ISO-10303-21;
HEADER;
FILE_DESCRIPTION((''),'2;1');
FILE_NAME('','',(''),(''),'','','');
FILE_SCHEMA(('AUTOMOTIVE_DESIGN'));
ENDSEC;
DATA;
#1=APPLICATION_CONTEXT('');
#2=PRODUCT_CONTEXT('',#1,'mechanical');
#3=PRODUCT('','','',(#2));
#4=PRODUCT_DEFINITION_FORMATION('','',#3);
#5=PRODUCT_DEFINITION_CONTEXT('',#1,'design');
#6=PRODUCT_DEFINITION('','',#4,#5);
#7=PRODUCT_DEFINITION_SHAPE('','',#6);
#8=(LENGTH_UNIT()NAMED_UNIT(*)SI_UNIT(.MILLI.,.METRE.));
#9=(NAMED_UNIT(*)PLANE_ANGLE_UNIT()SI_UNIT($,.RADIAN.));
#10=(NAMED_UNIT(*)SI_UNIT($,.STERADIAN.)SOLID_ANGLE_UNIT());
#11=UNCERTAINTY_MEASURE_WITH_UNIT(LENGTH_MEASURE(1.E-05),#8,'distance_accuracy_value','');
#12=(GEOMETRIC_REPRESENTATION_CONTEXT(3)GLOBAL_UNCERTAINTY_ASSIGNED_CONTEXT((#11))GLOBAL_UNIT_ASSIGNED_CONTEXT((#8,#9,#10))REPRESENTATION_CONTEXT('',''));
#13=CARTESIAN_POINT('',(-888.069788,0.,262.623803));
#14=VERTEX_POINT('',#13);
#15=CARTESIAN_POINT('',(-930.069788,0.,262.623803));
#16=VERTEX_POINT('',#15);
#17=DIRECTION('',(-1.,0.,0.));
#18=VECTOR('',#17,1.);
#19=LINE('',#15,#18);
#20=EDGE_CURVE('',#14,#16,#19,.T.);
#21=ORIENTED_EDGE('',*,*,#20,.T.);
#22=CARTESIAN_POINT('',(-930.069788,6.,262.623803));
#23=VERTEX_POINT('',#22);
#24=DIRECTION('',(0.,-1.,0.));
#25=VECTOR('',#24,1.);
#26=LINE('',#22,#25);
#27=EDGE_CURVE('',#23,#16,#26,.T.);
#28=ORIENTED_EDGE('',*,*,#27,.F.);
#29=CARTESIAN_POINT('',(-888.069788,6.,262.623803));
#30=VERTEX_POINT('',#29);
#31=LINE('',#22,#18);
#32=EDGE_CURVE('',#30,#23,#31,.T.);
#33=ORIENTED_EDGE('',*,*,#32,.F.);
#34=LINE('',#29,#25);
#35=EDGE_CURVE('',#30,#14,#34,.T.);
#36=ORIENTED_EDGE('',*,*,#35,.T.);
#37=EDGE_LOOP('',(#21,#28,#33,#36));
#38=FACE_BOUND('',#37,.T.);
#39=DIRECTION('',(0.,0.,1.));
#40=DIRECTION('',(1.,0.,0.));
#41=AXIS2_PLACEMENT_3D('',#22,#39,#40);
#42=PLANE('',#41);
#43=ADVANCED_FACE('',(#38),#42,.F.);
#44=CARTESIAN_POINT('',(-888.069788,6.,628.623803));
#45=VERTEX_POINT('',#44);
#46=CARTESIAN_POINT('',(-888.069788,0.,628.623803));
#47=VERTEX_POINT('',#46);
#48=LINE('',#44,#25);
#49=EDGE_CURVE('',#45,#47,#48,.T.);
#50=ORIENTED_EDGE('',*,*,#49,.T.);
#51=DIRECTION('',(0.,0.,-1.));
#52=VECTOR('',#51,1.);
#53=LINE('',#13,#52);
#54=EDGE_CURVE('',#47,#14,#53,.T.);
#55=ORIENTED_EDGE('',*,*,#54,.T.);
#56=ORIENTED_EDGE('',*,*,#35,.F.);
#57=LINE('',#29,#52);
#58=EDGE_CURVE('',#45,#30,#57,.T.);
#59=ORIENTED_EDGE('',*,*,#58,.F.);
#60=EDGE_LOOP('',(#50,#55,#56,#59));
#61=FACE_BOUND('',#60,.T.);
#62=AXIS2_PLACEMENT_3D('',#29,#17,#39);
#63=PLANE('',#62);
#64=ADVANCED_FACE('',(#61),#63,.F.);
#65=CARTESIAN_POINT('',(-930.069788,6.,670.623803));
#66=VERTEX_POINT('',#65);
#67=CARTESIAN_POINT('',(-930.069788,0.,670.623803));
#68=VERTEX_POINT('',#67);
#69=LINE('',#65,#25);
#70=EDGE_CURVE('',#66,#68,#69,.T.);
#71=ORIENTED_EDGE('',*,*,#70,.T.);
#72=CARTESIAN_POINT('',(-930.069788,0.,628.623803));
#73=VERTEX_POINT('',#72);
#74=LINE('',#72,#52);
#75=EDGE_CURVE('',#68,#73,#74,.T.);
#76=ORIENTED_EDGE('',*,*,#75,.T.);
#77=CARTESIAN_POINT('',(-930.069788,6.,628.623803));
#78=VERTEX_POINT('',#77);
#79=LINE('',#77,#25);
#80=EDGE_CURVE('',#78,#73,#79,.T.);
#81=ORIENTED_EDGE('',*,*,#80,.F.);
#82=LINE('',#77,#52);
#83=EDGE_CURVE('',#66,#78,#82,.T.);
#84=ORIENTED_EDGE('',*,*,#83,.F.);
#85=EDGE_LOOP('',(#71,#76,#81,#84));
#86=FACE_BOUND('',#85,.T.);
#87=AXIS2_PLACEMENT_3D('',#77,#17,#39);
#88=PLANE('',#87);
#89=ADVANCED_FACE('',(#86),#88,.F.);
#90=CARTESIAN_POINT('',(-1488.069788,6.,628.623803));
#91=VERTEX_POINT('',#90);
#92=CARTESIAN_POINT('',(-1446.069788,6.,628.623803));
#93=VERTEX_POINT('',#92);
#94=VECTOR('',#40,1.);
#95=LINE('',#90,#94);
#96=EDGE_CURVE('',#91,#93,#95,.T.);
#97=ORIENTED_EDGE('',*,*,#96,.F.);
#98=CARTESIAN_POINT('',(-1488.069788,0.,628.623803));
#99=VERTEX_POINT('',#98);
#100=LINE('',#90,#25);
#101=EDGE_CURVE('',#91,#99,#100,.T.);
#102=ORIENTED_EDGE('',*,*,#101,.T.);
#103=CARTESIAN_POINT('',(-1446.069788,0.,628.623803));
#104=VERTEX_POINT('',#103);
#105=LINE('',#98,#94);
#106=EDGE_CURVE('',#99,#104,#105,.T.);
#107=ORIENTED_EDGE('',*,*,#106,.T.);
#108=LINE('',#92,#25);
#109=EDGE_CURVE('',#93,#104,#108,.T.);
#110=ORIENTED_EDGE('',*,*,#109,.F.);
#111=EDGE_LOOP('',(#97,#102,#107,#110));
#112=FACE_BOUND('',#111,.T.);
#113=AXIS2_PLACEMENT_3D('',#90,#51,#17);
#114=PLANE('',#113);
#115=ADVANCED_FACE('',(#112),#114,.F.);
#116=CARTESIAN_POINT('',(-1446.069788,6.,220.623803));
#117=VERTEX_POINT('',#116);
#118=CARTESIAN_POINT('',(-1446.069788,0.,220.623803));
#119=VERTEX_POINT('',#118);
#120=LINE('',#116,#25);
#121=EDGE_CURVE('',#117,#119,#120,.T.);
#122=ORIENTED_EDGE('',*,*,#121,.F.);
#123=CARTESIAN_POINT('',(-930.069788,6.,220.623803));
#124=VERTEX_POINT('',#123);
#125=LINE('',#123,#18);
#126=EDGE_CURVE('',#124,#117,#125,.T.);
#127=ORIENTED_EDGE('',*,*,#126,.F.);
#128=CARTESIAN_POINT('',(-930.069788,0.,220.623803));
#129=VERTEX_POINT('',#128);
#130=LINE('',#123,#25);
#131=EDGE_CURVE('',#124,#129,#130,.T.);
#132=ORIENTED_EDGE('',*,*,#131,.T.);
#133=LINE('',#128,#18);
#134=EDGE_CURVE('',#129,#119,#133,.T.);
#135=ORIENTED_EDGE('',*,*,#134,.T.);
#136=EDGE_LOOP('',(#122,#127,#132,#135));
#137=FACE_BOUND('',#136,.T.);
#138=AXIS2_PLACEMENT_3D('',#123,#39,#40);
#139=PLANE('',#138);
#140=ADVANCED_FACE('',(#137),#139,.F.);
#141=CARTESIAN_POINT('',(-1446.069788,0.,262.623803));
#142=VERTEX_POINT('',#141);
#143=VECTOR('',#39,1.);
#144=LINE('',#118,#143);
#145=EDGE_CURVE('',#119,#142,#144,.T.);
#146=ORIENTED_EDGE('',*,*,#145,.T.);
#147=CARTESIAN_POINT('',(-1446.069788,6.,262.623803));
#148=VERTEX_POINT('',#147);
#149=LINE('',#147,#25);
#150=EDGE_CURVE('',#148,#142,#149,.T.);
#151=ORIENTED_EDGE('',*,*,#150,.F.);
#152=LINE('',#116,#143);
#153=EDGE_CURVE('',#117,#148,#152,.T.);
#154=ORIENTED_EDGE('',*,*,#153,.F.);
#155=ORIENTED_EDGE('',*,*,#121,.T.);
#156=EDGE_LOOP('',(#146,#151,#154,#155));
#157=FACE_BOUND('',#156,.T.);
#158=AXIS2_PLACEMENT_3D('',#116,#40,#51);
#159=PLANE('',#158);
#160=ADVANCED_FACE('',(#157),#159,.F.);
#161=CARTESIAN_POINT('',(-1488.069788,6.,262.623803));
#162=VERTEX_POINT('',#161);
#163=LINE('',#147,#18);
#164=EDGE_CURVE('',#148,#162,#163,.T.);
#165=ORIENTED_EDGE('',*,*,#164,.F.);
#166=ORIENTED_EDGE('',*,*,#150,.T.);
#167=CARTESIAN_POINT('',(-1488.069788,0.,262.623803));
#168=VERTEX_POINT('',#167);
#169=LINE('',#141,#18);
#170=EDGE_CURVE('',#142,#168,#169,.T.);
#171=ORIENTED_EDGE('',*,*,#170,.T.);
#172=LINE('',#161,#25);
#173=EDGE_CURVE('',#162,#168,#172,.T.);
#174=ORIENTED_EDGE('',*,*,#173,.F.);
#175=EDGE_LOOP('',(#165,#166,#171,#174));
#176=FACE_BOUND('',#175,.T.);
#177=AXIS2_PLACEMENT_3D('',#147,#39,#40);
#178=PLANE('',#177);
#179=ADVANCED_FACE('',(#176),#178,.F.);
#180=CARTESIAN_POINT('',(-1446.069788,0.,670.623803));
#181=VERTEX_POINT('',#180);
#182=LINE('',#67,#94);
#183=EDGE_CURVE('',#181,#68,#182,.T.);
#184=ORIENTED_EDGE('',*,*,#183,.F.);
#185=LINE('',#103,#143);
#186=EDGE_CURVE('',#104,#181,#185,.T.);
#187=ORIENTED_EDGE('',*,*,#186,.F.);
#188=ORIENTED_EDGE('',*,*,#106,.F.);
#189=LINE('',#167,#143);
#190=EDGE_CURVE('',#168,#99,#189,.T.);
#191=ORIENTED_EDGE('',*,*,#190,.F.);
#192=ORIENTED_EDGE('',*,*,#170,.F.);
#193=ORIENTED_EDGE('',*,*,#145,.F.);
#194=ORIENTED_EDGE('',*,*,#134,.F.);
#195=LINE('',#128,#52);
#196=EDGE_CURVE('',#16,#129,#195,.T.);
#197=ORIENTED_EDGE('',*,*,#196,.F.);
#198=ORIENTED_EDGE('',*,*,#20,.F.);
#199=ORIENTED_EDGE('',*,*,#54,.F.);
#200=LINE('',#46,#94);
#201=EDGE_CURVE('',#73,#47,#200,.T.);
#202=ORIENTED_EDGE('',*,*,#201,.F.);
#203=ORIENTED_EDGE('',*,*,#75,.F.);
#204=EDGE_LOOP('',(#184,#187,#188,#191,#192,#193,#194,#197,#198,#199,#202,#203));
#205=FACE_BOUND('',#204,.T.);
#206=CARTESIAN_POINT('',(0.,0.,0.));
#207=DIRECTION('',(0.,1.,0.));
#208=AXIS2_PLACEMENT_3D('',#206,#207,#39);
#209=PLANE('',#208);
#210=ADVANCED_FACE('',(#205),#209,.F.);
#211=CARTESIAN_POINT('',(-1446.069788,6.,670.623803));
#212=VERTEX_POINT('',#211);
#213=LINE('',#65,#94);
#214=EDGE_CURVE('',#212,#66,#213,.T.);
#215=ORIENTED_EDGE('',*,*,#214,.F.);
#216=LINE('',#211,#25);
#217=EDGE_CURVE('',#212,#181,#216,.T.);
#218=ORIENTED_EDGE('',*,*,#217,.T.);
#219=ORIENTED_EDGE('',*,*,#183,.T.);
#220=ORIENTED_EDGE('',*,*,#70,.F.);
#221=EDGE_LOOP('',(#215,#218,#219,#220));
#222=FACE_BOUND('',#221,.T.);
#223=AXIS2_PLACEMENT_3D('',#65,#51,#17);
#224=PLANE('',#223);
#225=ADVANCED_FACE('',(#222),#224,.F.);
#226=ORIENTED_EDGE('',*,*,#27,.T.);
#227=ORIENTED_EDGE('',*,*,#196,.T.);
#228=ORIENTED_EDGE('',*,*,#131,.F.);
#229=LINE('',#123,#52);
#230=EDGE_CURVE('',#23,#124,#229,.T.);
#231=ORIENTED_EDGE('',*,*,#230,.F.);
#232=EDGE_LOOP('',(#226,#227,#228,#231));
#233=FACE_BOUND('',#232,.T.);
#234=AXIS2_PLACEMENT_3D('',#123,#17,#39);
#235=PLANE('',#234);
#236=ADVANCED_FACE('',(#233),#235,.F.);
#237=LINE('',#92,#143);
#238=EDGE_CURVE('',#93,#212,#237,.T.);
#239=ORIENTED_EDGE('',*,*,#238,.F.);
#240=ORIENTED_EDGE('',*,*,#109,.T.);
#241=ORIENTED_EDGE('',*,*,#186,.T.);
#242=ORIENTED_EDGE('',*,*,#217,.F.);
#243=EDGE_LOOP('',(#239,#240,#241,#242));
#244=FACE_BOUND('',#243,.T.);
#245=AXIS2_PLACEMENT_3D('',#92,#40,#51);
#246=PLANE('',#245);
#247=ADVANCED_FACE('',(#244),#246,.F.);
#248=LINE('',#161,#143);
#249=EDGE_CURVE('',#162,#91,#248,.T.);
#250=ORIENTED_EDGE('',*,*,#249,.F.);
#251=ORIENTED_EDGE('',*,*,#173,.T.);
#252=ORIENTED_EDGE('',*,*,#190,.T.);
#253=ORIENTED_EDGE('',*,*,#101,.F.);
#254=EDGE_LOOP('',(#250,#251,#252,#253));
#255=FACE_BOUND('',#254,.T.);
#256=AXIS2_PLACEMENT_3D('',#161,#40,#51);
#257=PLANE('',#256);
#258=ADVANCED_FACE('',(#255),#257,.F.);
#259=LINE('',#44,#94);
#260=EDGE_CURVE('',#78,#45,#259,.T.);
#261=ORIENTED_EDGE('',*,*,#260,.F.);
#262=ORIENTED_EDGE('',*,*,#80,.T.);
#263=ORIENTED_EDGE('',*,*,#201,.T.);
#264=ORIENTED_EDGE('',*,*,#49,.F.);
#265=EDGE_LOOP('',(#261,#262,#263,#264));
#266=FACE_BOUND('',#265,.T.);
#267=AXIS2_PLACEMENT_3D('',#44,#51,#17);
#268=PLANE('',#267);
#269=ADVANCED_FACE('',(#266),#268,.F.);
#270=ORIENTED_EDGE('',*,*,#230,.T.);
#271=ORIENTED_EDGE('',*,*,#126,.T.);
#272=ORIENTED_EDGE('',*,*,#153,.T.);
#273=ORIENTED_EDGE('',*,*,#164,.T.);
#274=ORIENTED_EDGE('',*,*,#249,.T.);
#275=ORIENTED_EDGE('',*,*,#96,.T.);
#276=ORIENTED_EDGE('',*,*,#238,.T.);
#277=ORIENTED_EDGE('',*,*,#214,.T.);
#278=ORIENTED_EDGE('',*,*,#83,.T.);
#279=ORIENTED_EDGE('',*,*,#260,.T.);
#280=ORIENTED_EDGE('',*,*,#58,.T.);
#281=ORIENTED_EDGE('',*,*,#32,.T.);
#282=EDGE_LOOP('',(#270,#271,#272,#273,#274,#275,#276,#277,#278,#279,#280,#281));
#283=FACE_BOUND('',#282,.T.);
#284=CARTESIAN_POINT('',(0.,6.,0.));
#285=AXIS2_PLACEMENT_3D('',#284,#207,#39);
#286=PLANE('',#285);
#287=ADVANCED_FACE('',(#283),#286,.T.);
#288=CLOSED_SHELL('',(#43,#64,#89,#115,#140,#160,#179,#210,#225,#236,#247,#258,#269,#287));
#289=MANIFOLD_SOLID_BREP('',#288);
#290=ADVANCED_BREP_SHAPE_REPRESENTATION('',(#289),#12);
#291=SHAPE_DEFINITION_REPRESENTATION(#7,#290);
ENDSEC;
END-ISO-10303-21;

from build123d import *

# Parameters (mm, degrees)
EXTRUDE_1_DEPTH = 6


with BuildPart() as part:
    # Эскиз1 → Бобышка-Вытянуть1 (new body)
    with BuildSketch(Plane(origin=(0, 0, 0), x_dir=(1, 0, 0), z_dir=(0, 1, 0))):
        Polygon((-1446.069787983, -220.62380289), (-1446.069787983, -262.62380289), (-1488.069787983, -262.62380289), (-1488.069787983, -628.62380289), (-1446.069787983, -628.62380289), (-1446.069787983, -670.62380289), (-930.069787983, -670.62380289), (-930.069787983, -628.62380289), (-888.069787983, -628.62380289), (-888.069787983, -262.62380289), (-930.069787983, -262.62380289), (-930.069787983, -220.62380289), align=None)
    extrude(amount=EXTRUDE_1_DEPTH)


solid = part.part
